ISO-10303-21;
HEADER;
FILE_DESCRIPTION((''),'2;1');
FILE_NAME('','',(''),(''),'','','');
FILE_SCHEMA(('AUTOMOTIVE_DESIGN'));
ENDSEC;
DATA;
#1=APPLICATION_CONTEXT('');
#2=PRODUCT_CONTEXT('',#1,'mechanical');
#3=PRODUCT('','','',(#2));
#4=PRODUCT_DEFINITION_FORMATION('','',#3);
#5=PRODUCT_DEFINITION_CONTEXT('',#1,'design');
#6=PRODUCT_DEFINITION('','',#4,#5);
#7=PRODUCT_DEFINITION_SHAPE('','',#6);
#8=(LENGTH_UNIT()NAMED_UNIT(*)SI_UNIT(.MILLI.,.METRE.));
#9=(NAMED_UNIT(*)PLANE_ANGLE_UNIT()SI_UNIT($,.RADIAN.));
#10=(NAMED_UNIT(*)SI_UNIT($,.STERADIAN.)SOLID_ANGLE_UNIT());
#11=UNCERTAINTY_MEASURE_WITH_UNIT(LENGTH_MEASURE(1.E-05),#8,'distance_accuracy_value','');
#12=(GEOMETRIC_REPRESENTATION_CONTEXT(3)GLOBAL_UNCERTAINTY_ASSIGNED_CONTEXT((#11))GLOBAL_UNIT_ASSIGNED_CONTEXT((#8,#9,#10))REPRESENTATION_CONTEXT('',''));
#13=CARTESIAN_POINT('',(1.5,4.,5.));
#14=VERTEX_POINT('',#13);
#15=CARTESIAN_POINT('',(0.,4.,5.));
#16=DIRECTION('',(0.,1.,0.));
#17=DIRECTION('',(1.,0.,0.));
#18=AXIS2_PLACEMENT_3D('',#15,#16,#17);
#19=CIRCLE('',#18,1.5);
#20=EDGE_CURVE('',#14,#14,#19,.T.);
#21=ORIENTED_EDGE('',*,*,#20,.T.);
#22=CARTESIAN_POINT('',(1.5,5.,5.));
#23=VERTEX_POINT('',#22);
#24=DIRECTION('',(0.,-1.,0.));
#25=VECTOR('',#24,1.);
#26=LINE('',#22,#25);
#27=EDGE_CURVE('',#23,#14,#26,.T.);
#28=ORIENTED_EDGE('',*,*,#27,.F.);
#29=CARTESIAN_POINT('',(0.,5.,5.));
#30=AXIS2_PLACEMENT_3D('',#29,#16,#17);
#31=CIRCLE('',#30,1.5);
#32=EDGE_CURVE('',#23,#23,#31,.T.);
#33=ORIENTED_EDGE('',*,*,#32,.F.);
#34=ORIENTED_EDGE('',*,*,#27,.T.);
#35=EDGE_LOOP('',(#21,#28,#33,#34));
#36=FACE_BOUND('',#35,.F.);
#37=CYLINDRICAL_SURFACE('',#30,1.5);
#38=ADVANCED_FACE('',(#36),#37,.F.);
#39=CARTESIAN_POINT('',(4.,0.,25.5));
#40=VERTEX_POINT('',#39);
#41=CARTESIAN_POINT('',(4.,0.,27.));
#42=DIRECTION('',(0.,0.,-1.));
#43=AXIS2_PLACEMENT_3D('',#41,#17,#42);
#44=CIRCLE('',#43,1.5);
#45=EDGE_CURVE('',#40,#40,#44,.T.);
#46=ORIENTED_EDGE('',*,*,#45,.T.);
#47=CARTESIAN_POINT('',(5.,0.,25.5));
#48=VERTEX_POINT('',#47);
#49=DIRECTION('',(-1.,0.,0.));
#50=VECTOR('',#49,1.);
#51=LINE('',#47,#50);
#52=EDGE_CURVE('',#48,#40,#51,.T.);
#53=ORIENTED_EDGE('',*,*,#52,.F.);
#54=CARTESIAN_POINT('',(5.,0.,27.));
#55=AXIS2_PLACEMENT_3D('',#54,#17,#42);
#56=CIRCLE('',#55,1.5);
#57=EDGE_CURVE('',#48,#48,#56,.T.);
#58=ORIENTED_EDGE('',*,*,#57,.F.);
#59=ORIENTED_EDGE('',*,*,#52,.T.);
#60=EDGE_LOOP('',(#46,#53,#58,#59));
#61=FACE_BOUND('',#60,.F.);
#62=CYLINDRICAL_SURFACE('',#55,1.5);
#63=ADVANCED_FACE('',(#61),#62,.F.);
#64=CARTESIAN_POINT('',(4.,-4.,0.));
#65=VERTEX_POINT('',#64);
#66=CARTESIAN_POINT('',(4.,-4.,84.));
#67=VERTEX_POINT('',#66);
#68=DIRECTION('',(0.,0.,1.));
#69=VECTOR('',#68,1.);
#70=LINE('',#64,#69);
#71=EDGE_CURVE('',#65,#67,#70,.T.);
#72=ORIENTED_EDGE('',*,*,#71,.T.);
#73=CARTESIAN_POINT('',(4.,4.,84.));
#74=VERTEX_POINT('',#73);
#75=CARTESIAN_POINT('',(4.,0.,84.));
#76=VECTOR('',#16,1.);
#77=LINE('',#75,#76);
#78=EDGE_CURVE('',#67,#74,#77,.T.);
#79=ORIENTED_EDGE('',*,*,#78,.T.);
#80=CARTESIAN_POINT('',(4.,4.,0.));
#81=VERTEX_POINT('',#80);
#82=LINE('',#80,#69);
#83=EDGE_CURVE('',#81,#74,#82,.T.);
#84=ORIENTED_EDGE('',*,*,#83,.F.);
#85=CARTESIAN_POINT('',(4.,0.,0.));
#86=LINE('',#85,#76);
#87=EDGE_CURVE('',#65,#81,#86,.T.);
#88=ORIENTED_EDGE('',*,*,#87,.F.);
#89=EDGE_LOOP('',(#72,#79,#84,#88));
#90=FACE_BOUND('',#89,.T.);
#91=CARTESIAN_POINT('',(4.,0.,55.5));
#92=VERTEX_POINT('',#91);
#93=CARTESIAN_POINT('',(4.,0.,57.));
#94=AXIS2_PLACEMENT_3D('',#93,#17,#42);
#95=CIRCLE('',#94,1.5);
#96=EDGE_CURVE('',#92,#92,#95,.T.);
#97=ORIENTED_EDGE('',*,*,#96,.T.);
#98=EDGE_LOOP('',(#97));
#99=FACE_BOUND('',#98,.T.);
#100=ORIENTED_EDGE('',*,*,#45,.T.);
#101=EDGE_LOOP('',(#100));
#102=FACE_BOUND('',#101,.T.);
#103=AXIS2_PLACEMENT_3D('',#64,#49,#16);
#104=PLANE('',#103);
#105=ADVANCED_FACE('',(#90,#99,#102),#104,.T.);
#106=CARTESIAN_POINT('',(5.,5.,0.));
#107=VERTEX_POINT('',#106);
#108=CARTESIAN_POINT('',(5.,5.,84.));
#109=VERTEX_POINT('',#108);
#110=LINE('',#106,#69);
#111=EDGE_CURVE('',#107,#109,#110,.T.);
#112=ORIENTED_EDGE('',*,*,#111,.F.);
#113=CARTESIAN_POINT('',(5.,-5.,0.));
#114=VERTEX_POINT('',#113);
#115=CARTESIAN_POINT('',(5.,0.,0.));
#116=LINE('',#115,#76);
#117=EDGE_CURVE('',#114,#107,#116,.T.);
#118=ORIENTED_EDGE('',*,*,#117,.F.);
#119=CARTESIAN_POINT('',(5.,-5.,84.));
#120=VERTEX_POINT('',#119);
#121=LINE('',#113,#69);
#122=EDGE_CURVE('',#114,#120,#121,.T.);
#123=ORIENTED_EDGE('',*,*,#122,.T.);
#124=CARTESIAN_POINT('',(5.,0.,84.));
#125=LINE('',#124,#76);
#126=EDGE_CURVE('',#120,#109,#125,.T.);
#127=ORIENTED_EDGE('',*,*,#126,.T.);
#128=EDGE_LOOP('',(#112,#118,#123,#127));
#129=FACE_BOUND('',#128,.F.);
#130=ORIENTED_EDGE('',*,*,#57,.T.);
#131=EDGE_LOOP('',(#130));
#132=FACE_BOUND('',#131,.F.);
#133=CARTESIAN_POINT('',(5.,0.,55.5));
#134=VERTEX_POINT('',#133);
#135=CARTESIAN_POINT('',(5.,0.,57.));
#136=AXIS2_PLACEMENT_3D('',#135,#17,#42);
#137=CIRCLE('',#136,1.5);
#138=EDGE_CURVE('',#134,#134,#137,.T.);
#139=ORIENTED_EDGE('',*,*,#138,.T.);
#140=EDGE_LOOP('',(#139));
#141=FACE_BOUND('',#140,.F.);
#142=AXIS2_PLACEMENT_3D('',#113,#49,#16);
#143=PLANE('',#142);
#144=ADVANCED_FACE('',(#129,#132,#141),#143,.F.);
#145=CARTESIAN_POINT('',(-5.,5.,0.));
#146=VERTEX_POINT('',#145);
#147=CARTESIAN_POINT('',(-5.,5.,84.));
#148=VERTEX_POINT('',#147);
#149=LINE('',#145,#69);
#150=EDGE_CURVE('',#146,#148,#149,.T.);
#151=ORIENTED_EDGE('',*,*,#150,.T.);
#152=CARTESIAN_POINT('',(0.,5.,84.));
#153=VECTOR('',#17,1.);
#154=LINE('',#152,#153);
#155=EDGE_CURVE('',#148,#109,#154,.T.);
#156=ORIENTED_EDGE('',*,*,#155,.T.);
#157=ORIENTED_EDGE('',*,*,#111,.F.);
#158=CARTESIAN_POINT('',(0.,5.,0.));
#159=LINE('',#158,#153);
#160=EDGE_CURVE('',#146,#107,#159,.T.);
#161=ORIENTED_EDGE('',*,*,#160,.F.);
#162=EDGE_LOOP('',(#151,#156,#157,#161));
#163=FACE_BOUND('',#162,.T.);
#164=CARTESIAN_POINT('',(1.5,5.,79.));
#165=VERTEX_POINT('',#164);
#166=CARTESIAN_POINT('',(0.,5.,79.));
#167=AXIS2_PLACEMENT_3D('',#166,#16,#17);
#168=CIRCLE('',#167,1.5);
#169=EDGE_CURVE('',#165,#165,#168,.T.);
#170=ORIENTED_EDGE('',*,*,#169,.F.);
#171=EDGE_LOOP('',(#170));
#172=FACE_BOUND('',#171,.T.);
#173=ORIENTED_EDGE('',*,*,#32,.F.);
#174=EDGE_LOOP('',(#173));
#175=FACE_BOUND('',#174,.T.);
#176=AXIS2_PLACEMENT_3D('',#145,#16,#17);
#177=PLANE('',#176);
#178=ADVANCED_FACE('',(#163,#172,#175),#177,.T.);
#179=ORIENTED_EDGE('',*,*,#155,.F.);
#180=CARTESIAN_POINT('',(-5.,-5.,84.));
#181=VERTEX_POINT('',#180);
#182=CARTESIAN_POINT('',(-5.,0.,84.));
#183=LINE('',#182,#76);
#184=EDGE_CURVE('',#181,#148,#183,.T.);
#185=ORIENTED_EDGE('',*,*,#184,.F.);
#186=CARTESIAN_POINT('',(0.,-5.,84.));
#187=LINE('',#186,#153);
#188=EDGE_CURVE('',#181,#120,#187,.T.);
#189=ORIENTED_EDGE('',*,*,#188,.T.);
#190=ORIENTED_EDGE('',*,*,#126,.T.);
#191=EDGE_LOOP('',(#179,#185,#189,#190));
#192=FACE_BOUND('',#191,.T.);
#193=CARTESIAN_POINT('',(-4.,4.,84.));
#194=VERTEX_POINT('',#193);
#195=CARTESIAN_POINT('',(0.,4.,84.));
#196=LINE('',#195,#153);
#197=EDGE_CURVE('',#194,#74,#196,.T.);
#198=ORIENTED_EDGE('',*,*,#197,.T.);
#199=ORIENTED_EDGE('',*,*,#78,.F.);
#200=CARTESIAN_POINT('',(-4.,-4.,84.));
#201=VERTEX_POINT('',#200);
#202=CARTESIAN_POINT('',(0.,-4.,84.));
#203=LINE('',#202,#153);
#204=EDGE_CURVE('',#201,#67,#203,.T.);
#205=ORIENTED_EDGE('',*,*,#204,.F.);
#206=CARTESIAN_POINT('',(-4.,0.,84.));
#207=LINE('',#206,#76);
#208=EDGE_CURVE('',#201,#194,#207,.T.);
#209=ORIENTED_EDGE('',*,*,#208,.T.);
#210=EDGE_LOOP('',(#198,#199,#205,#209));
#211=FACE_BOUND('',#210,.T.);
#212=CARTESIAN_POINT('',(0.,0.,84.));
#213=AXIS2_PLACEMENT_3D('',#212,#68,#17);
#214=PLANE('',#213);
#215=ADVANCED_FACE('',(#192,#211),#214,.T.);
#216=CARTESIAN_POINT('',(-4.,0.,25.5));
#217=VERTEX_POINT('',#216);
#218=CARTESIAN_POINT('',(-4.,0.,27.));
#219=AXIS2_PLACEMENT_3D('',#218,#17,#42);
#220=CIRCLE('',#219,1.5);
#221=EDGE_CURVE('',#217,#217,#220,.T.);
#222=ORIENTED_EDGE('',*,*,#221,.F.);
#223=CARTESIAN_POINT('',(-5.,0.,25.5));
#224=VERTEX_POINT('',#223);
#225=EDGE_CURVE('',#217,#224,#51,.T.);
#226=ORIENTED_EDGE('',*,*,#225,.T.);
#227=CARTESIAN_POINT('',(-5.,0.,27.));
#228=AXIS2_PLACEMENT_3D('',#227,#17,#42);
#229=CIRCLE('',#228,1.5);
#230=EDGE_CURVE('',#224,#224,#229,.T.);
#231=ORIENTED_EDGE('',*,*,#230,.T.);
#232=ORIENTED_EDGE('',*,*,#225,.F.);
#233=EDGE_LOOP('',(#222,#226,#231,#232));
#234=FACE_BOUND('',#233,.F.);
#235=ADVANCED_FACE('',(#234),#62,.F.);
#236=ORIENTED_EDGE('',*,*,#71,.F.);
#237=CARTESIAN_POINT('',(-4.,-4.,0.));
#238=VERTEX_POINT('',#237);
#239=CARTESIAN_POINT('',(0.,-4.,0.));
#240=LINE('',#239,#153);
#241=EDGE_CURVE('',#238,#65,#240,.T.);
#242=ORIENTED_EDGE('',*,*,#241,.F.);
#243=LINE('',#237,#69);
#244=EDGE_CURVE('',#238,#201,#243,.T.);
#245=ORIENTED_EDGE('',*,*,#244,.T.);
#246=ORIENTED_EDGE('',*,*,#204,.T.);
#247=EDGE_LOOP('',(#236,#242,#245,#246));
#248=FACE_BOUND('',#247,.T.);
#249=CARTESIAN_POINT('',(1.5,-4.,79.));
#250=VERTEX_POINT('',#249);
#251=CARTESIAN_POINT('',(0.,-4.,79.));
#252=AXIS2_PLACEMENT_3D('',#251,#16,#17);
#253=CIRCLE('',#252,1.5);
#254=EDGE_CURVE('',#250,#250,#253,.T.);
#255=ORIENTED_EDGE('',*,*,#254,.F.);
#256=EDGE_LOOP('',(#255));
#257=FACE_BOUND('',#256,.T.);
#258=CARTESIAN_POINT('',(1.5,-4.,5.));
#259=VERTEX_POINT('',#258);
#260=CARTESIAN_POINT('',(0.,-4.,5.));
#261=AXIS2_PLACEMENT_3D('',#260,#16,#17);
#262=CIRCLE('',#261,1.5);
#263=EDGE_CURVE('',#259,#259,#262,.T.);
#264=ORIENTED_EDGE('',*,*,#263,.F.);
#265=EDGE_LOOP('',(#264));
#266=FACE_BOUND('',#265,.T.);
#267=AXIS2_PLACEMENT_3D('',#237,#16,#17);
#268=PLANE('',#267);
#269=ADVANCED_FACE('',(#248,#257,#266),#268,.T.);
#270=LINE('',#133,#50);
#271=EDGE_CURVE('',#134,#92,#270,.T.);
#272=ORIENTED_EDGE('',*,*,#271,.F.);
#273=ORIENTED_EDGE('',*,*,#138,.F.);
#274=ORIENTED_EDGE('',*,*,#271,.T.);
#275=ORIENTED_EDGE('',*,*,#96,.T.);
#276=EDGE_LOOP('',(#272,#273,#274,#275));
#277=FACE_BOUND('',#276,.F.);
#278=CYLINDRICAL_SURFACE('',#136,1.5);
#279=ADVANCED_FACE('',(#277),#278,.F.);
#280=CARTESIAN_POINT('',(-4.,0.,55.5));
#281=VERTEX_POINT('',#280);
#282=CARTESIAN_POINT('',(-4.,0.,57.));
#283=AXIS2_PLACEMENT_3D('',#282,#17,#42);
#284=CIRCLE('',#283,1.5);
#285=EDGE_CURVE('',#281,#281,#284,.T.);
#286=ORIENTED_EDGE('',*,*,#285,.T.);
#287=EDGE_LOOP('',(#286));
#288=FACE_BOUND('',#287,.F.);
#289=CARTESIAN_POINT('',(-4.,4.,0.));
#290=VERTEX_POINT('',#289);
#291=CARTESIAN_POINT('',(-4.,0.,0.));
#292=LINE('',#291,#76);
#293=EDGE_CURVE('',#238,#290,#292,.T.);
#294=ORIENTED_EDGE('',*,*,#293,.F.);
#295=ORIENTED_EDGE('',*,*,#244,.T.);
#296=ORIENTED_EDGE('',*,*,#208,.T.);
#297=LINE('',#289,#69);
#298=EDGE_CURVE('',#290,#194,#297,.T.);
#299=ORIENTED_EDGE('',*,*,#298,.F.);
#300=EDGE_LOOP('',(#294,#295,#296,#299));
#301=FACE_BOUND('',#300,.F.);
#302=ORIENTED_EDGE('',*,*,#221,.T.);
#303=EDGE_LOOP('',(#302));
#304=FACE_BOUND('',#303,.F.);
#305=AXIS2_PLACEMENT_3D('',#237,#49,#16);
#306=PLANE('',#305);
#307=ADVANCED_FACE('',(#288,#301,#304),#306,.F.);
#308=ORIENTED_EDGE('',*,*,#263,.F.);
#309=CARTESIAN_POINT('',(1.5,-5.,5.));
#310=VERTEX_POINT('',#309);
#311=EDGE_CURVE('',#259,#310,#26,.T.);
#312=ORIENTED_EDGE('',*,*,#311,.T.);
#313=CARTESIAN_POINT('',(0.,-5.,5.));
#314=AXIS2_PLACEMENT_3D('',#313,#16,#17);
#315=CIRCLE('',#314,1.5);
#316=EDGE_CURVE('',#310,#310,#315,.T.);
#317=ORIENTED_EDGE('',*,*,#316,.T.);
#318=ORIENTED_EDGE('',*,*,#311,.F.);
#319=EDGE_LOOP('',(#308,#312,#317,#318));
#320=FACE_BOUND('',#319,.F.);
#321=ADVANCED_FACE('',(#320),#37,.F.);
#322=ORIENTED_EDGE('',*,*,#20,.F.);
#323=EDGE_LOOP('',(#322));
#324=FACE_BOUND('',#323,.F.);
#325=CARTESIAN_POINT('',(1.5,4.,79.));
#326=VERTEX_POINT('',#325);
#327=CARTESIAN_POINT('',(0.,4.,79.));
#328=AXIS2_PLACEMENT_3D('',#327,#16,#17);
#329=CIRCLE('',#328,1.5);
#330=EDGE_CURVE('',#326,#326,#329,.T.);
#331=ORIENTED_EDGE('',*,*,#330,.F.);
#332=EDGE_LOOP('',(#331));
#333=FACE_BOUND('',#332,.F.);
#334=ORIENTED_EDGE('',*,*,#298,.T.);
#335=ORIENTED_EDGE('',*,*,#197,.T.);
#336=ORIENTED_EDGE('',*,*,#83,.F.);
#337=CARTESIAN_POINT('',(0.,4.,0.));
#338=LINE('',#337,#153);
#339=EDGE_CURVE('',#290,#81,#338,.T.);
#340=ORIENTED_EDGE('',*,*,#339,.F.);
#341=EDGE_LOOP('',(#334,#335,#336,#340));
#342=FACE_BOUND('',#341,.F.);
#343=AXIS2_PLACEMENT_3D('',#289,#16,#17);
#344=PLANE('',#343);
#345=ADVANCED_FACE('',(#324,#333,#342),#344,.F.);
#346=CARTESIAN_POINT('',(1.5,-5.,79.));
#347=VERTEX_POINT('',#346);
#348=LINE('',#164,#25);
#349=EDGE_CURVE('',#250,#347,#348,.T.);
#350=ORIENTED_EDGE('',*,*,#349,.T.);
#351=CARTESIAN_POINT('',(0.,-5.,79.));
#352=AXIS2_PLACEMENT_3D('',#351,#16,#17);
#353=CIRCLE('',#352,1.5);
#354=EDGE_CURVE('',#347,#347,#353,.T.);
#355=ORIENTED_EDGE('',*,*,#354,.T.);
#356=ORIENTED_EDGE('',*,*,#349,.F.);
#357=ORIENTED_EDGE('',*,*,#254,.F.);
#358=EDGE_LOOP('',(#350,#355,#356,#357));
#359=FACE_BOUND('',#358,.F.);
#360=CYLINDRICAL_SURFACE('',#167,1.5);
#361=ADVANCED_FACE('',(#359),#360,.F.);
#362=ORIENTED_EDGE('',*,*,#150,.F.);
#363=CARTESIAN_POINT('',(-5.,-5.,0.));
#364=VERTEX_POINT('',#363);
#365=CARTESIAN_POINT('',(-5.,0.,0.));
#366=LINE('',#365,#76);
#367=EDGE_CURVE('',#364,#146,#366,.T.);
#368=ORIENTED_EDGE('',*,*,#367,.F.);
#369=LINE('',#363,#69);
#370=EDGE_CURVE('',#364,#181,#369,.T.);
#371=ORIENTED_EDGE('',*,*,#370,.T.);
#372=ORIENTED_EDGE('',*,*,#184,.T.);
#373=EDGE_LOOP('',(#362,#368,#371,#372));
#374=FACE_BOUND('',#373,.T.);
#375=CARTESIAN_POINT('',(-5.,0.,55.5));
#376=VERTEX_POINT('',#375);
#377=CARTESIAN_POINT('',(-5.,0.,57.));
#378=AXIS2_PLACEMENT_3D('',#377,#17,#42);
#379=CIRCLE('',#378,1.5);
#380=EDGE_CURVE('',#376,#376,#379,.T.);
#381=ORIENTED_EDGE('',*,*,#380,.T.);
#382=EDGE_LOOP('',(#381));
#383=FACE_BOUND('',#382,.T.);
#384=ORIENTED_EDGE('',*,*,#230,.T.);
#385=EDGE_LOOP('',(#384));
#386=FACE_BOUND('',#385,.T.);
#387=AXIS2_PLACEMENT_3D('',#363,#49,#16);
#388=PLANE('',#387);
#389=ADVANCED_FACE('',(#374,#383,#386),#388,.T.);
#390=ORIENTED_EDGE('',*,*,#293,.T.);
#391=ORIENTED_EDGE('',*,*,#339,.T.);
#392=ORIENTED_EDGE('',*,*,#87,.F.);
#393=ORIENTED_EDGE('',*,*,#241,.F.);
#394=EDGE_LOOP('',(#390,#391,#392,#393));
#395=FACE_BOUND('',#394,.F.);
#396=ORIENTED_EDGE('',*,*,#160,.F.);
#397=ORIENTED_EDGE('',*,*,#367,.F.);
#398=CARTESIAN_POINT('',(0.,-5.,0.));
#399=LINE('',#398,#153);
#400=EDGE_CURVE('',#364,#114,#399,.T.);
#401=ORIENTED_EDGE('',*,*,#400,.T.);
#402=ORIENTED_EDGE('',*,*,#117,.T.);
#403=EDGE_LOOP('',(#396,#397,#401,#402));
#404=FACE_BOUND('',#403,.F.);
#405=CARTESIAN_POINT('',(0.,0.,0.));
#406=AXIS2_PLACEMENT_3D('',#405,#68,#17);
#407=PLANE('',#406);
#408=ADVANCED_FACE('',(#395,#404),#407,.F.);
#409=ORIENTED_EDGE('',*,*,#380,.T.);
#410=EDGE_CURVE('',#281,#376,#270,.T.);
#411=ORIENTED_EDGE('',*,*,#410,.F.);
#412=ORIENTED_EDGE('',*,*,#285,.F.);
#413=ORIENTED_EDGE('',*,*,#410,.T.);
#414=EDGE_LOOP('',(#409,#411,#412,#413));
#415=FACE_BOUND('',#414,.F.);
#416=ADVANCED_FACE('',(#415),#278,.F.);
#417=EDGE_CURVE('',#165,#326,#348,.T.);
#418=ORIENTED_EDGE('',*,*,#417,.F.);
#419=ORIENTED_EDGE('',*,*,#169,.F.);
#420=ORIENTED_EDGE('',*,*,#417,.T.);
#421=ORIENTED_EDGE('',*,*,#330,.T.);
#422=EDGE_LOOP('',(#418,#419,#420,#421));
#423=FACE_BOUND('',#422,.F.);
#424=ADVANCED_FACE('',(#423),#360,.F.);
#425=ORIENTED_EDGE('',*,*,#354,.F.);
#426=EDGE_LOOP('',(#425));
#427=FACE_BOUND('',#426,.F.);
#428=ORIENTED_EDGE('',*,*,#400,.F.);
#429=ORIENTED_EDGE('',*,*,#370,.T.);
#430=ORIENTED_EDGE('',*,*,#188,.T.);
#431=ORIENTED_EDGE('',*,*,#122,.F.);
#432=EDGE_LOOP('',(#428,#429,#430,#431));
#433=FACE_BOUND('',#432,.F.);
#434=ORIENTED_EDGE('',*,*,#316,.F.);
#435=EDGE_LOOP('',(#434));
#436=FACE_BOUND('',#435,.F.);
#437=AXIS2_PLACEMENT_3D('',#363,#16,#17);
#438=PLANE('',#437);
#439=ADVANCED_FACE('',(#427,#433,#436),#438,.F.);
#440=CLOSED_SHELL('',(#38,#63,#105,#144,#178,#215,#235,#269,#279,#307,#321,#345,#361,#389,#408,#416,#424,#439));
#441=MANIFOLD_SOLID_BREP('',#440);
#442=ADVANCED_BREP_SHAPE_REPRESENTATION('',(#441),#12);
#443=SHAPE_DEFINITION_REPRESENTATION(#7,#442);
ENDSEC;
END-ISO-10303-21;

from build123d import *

# Parameters (mm, degrees)
SKETCH_1_W          = 10
SKETCH_1_H          = 10
SKETCH_1_W_2        = 8
SKETCH_1_H_2        = 8
EXTRUDE_1_DEPTH     = 84
SKETCH_2_R          = 1.5
CUT_EXTRUDE_1_DEPTH = 11
SKETCH_3_R          = 1.5
CUT_EXTRUDE_2_DEPTH = 10


with BuildPart() as part:
    # 草图1 → 拉伸-薄壁1 (new body)
    with BuildSketch(Plane.XY):
        Rectangle(SKETCH_1_W, SKETCH_1_H)
        Rectangle(SKETCH_1_W_2, SKETCH_1_H_2, mode=Mode.SUBTRACT)
    extrude(amount=EXTRUDE_1_DEPTH)

    # 草图2 → 切除-拉伸1 (cut, through all)
    with BuildSketch(Plane(origin=(5, 0, 0), x_dir=(0, 0, -1), z_dir=(1, 0, 0))):
        with Locations((-57, 0)):
            Circle(SKETCH_2_R)
        with Locations((-27, 0)):
            Circle(SKETCH_2_R)
    extrude(amount=-CUT_EXTRUDE_1_DEPTH, mode=Mode.SUBTRACT)

    # 草图3 → 切除-拉伸2 (cut)
    with BuildSketch(Plane(origin=(0, 5, 0), x_dir=(1, 0, 0), z_dir=(0, 1, 0))):
        with Locations((0, -5)):
            Circle(SKETCH_3_R)
        with Locations((0, -79)):
            Circle(SKETCH_3_R)
    extrude(amount=-CUT_EXTRUDE_2_DEPTH, mode=Mode.SUBTRACT)


solid = part.part
